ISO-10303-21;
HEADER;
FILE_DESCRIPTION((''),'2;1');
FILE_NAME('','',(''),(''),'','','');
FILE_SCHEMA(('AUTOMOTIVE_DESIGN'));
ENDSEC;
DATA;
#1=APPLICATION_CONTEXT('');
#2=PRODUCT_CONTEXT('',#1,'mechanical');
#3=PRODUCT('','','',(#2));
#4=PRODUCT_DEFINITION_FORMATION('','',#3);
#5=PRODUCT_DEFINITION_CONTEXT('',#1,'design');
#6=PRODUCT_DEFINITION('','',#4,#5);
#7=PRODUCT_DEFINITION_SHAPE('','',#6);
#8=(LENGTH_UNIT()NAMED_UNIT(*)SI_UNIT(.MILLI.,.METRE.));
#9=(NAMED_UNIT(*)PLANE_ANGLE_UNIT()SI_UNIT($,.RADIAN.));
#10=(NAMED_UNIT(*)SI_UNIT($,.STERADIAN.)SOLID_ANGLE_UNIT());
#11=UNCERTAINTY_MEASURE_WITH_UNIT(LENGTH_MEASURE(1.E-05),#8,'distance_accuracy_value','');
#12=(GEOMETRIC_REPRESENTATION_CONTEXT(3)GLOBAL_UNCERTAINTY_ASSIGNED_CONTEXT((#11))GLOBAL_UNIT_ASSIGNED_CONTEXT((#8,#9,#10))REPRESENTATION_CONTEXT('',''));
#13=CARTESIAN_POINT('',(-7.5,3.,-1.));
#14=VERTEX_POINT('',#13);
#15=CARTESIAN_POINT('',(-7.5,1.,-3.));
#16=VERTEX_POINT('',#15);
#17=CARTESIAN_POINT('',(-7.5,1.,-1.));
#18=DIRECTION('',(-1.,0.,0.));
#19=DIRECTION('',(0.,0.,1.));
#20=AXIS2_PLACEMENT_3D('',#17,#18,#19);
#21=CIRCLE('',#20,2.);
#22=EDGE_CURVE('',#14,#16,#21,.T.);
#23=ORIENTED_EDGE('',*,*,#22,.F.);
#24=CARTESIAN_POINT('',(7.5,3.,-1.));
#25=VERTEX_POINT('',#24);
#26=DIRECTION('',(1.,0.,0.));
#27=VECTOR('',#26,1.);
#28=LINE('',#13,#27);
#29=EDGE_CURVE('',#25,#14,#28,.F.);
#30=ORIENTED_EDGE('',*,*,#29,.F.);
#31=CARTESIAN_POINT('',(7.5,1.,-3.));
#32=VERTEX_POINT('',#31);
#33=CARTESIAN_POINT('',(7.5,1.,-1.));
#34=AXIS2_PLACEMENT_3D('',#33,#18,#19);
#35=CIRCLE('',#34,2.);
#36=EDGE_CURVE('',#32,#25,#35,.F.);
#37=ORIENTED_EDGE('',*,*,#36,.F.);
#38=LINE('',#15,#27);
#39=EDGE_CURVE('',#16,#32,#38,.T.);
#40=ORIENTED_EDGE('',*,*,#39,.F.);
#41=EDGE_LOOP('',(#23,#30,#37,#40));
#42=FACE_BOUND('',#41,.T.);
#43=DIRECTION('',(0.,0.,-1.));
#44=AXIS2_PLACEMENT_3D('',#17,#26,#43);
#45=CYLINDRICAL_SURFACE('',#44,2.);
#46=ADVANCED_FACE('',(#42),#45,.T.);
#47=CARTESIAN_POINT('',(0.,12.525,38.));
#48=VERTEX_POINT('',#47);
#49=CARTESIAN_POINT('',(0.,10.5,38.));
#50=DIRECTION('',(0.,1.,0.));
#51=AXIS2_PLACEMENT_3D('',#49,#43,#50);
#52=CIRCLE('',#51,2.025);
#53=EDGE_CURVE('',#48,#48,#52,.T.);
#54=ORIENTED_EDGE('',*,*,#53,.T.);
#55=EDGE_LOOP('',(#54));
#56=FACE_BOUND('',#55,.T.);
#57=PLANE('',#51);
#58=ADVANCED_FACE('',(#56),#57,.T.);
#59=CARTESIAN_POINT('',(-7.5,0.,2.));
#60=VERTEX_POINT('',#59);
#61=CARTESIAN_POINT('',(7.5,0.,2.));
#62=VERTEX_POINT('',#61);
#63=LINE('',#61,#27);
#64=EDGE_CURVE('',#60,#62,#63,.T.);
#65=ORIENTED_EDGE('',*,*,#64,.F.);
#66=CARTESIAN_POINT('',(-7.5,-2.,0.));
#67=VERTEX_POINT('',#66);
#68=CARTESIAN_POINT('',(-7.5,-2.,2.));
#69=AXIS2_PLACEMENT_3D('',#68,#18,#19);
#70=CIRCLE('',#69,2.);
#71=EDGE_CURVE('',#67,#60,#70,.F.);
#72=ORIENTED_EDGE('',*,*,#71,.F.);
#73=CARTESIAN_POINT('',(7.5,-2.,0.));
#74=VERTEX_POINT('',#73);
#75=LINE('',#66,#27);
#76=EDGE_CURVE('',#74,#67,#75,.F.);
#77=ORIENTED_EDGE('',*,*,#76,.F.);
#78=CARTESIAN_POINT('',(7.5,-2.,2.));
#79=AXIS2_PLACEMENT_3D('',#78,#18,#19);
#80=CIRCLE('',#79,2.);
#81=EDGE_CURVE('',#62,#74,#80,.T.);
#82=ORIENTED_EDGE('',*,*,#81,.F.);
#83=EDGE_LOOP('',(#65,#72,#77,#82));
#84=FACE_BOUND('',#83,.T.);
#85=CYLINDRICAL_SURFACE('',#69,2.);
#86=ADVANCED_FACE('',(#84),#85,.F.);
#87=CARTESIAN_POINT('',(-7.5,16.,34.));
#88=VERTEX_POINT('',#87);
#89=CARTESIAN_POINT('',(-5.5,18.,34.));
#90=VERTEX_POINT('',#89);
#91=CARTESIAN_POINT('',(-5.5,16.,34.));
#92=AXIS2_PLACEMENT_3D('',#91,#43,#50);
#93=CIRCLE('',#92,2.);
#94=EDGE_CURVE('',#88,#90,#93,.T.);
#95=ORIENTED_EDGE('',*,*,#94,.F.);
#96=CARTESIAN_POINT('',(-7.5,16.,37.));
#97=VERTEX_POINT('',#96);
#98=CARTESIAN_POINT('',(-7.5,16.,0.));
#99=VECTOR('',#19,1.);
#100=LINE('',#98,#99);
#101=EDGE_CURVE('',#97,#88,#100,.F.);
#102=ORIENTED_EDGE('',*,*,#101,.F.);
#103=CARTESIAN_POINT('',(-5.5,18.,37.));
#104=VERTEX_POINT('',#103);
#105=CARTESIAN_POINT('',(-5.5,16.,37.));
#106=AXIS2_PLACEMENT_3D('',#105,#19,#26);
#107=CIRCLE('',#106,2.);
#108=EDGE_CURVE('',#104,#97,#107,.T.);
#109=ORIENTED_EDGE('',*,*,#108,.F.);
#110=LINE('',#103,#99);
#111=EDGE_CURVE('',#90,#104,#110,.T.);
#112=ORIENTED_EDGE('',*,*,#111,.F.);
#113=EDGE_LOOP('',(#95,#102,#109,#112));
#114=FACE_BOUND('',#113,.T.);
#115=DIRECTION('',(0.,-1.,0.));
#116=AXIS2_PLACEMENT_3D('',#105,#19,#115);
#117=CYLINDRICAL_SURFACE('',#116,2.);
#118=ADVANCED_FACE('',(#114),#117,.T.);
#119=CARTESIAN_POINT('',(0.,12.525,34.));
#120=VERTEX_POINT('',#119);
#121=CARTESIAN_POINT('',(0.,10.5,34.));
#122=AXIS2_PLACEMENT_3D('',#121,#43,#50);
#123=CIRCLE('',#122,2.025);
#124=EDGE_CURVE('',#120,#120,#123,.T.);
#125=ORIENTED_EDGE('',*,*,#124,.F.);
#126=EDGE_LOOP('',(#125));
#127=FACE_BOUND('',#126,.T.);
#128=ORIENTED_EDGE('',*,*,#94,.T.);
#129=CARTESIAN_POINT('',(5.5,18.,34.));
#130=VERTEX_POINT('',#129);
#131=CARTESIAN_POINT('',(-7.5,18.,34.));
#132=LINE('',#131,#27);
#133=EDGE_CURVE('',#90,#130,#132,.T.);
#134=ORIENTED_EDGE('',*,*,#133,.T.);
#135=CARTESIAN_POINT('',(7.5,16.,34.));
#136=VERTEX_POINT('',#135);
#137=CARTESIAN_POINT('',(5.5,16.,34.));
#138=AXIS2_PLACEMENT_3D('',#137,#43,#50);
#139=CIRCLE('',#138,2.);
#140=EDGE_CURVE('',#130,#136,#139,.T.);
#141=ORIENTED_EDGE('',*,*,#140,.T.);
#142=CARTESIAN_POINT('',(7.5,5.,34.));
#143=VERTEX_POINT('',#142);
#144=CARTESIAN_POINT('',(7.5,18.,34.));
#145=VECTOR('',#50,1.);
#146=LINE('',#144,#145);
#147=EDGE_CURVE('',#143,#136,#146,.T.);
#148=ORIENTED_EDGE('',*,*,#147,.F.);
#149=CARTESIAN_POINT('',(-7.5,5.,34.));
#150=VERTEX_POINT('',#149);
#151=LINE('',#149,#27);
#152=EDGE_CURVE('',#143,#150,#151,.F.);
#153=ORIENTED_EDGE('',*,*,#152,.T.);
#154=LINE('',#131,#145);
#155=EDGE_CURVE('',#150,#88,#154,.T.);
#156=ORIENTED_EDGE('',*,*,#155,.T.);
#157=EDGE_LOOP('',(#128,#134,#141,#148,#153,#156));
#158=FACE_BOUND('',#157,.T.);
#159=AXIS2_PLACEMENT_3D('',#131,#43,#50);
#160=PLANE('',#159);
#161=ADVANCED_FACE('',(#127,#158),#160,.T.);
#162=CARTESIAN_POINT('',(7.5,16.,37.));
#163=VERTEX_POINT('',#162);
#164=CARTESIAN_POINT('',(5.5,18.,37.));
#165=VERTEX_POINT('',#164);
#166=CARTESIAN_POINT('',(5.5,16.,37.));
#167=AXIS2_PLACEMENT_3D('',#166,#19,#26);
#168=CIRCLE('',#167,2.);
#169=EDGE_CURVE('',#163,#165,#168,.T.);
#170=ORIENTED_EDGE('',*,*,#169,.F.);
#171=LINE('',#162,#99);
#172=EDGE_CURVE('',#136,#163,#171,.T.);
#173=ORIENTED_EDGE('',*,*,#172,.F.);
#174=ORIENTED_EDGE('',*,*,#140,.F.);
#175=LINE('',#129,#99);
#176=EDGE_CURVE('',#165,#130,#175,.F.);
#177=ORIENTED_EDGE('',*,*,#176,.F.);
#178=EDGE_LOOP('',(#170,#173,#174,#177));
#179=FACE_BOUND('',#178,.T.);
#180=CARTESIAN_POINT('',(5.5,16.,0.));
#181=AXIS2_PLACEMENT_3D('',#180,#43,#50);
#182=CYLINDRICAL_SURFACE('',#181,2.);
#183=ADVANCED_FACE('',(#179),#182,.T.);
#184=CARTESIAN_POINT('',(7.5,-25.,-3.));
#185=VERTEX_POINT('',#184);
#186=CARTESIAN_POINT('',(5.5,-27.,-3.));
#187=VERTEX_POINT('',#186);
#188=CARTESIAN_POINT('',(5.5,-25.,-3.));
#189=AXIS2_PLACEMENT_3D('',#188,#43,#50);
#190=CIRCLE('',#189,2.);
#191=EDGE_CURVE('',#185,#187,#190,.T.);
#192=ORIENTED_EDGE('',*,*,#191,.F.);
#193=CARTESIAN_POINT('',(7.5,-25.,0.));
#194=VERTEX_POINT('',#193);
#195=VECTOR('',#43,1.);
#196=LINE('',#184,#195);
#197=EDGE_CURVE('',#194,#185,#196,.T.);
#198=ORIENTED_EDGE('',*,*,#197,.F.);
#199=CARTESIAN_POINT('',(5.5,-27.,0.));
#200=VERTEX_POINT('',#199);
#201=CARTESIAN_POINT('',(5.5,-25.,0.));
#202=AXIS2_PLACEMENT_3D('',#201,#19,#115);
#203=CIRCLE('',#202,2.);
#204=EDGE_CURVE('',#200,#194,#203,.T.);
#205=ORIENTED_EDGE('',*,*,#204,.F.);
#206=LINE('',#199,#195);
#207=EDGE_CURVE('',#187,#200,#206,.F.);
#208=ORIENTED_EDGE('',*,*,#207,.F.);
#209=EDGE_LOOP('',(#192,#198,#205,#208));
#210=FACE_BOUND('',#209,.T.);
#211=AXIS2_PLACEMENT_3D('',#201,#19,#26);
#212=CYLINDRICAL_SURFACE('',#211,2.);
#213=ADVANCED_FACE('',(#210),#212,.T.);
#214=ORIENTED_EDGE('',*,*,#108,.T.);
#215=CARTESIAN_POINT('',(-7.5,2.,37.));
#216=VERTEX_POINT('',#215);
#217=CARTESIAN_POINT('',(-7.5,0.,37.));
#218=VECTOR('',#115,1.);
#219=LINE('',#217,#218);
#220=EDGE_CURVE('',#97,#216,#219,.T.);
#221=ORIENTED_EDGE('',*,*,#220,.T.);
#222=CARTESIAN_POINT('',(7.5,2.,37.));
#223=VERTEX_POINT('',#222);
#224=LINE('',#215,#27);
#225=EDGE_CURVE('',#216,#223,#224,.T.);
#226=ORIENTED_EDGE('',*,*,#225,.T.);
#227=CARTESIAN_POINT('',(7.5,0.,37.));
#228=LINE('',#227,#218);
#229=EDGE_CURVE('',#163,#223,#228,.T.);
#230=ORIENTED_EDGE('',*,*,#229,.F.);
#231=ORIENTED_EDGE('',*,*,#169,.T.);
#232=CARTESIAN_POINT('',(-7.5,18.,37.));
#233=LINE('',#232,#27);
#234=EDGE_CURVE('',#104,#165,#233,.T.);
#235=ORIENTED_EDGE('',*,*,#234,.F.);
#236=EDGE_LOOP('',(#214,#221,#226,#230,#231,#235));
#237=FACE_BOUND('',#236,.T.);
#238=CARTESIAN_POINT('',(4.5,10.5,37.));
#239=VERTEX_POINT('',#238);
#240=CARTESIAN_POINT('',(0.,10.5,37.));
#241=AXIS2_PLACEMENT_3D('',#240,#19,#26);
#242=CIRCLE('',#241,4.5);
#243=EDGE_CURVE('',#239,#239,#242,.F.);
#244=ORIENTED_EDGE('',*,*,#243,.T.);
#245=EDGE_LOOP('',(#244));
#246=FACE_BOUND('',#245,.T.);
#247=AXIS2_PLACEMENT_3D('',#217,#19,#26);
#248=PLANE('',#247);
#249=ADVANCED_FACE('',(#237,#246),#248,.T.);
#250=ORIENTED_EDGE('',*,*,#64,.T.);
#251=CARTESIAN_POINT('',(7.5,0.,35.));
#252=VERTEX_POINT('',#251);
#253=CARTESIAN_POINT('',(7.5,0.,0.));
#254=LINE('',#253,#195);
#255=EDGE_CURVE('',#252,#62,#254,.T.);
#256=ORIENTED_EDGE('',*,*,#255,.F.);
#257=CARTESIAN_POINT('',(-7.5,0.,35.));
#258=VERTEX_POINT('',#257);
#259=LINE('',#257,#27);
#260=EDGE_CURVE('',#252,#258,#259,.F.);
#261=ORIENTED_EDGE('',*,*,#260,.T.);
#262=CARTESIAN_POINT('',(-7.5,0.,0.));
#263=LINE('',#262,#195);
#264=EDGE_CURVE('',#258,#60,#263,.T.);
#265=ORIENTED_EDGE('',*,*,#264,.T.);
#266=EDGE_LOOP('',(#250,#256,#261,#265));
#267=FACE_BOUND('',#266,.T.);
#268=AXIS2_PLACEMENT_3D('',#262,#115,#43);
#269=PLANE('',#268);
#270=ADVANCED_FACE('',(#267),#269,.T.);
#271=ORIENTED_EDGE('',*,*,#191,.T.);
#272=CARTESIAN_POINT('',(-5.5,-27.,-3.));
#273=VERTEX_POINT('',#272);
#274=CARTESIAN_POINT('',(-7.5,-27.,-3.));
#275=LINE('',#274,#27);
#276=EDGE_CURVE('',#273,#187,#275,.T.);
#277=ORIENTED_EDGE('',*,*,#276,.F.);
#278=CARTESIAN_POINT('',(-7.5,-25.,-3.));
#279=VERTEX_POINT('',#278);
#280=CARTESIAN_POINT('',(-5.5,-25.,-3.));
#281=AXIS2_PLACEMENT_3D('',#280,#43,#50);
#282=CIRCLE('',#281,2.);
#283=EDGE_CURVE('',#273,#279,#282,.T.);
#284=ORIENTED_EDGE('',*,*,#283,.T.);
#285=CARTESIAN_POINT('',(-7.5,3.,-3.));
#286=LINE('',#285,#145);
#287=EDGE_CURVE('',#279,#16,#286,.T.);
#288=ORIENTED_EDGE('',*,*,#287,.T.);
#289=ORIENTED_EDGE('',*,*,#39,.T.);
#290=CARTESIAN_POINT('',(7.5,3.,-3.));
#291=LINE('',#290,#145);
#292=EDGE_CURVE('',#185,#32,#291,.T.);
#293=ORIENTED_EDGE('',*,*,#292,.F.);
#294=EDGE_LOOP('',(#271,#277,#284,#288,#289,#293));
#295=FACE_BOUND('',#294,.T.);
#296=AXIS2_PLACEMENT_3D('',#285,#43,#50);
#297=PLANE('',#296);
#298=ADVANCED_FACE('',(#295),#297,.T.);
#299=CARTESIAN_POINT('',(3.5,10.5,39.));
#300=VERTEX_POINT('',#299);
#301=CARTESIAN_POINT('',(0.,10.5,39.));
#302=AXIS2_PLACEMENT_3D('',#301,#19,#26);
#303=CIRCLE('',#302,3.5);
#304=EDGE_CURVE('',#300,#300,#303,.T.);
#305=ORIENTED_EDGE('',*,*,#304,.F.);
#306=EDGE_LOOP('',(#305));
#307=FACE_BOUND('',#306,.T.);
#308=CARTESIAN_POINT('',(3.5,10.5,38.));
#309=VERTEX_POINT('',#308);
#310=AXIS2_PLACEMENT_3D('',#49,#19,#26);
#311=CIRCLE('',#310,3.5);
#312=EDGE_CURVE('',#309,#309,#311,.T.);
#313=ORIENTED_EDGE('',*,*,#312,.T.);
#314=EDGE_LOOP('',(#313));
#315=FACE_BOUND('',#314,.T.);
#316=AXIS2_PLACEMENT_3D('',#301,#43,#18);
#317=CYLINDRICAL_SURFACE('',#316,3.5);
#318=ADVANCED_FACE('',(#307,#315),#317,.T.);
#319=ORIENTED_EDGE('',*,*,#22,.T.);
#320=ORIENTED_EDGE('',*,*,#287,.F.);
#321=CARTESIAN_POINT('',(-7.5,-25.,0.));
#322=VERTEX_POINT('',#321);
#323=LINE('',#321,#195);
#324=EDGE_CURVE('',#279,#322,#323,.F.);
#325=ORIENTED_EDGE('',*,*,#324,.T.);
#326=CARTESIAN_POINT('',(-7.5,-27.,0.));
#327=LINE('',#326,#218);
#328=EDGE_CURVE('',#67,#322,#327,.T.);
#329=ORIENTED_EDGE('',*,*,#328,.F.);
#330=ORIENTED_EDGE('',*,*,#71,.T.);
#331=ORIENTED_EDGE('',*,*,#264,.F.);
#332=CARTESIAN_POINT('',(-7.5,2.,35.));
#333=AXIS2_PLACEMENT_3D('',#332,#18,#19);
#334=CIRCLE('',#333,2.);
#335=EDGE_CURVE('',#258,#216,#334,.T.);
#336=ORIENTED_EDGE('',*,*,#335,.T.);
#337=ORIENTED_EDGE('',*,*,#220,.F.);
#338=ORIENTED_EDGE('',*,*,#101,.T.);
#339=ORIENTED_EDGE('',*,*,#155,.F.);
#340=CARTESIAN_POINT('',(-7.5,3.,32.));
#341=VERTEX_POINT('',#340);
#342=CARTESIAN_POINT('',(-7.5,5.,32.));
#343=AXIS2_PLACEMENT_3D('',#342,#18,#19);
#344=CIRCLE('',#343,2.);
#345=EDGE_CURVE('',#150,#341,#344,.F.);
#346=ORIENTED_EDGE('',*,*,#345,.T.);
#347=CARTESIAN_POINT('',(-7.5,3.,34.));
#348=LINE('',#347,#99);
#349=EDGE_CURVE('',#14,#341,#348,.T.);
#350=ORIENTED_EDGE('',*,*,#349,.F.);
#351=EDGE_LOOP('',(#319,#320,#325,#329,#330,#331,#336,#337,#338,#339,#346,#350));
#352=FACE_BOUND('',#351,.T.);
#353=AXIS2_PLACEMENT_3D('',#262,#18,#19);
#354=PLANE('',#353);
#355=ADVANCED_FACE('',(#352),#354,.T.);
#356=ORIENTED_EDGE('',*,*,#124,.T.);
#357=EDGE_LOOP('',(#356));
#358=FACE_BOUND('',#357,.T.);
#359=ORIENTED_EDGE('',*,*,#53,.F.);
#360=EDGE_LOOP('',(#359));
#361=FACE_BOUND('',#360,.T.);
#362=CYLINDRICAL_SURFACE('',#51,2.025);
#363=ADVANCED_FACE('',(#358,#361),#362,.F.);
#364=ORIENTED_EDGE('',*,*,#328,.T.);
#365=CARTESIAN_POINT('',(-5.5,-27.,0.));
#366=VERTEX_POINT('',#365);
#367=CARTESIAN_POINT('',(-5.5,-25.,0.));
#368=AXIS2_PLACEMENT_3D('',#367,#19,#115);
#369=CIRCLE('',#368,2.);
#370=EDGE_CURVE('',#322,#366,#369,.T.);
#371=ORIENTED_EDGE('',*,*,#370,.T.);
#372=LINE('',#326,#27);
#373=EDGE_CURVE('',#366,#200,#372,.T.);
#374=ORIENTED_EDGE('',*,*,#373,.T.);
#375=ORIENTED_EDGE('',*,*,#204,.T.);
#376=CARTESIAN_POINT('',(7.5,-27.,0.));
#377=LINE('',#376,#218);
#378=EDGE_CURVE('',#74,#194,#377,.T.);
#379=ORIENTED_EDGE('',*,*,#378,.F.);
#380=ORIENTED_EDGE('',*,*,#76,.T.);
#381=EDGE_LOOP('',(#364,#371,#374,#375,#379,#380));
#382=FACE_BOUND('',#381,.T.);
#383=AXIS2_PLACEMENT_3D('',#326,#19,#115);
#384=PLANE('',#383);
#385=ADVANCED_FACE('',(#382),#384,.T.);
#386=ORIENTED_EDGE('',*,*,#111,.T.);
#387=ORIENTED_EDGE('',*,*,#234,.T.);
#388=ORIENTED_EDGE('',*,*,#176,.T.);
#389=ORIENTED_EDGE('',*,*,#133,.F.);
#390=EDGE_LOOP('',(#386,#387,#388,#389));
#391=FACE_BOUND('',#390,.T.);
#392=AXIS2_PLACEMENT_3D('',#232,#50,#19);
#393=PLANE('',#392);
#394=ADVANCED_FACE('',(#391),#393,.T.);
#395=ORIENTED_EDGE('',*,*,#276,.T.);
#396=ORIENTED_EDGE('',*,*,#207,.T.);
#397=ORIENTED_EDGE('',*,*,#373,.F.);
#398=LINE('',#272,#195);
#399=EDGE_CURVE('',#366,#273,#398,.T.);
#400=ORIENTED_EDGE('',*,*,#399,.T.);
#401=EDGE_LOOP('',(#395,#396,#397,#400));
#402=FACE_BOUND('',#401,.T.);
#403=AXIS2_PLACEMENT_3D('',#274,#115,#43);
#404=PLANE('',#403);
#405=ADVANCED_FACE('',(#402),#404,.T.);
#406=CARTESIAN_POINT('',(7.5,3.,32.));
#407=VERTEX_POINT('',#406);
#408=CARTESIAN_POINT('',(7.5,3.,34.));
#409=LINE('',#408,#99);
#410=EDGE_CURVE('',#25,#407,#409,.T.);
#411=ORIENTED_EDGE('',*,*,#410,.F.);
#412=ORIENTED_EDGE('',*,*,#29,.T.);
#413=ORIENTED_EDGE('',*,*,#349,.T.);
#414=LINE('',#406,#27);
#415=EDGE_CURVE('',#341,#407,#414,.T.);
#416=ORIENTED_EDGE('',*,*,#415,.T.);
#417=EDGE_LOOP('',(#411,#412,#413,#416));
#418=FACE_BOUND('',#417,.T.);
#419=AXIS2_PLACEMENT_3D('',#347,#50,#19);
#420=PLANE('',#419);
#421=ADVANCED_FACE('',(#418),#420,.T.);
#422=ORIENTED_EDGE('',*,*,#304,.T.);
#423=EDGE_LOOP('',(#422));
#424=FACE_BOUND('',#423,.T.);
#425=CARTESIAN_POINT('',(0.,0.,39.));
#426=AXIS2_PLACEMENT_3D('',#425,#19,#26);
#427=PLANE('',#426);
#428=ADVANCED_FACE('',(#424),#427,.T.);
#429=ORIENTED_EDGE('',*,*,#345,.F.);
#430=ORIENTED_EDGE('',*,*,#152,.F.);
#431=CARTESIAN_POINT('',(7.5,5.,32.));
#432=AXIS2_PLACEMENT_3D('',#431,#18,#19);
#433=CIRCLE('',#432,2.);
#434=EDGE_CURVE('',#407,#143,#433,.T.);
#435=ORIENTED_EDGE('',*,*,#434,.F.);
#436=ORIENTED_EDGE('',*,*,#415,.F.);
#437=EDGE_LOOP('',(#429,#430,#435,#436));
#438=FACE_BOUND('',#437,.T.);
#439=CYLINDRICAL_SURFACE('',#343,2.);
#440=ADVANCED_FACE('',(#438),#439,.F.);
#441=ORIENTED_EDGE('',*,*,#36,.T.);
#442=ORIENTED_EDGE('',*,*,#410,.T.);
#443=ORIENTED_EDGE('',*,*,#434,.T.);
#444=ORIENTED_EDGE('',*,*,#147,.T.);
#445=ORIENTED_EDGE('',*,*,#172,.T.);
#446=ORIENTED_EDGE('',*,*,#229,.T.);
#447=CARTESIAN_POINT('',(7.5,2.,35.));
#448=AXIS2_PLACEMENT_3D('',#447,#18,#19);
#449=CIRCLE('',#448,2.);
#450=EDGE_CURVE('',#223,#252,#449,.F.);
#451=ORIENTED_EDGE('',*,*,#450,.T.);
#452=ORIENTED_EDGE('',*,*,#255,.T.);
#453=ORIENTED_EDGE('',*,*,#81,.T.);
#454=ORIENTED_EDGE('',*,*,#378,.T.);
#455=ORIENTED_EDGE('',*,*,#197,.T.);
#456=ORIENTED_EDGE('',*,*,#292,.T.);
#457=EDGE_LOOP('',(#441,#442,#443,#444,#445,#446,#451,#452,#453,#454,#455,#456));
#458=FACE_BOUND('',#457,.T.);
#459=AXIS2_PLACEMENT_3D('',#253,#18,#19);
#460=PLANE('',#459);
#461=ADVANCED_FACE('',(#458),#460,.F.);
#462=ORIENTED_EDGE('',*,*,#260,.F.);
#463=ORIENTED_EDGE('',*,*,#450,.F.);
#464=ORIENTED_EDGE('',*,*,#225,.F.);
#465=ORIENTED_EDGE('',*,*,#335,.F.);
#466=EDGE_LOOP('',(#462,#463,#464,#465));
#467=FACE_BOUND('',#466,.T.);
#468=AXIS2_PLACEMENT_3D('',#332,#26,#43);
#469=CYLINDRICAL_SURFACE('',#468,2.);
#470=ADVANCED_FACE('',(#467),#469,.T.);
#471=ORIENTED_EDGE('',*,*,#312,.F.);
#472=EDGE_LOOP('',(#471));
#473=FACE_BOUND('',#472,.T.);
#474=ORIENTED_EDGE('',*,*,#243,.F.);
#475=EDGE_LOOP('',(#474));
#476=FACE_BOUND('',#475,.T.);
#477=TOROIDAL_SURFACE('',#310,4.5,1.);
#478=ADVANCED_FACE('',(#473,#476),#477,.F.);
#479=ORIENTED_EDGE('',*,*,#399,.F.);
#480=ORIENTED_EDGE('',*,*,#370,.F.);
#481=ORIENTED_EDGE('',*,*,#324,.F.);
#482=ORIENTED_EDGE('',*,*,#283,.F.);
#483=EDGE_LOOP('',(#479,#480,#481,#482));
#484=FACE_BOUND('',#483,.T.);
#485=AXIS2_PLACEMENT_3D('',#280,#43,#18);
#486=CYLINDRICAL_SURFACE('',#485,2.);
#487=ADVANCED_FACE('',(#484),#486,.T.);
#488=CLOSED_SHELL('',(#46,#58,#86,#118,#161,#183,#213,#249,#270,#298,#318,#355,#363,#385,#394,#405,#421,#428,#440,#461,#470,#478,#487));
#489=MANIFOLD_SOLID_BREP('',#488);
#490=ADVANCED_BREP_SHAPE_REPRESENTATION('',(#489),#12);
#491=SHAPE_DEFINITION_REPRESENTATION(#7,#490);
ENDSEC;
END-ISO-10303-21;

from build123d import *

# Parameters (mm, degrees)
EXTRUDE_1_DEPTH      = 7.5
EXTRUDE_1_DEPTH_BACK = 7.5
FILLET_1_R           = 2
SKETCH_2_R           = 3.5
EXTRUDE_3_DEPTH      = 2
SKETCH_4_R           = 2.025
CUT_EXTRUDE_1_DEPTH  = 4
FILLET_2_R           = 1


with BuildPart() as part:
    # 草圖1 → 填料-伸長1 (new, two sides: drawn at the far end of the back side and taken through both)
    with BuildSketch(Plane(origin=(0, 0, 0), x_dir=(0, 0, -1), z_dir=(1, 0, 0)).offset(-EXTRUDE_1_DEPTH_BACK)):
        Polygon((-34, 18), (-34, 3), (3, 3), (3, -27), (0, -27), (0, 0), (-37, 0), (-37, 18), align=None)
    extrude(amount=EXTRUDE_1_DEPTH + EXTRUDE_1_DEPTH_BACK)

    # 圓角1
    fillet_1_edges = [part.edges().sort_by_distance(p)[0] for p in [
        (-7.5, -27, -1.5),
        (7.5, -27, -1.5),
        (-7.5, 18, 35.5),
        (7.5, 18, 35.5),
        (0, 3, -3),
        (0, 3, 34),
        (0, 0, 37),
        (0, 0, 0),
    ]]
    fillet(fillet_1_edges, radius=FILLET_1_R)

    # 草圖2 → 填料-伸長3 (add)
    with BuildSketch(Plane.XY.offset(37)):
        with Locations((0, 10.5)):
            Circle(SKETCH_2_R)
    extrude(amount=EXTRUDE_3_DEPTH)

    # 草圖4 → 除料-伸長1 (cut)
    with BuildSketch(Plane(origin=(0, 0, 34), x_dir=(-1, 0, 0), z_dir=(0, 0, -1))):
        with Locations((0, 10.5)):
            Circle(SKETCH_4_R)
    extrude(amount=-CUT_EXTRUDE_1_DEPTH, mode=Mode.SUBTRACT)

    # 圓角2
    fillet_2_edges = [part.edges().sort_by_distance(p)[0] for p in [
        (-3.5, 10.5, 37),
    ]]
    fillet(fillet_2_edges, radius=FILLET_2_R)


solid = part.part
